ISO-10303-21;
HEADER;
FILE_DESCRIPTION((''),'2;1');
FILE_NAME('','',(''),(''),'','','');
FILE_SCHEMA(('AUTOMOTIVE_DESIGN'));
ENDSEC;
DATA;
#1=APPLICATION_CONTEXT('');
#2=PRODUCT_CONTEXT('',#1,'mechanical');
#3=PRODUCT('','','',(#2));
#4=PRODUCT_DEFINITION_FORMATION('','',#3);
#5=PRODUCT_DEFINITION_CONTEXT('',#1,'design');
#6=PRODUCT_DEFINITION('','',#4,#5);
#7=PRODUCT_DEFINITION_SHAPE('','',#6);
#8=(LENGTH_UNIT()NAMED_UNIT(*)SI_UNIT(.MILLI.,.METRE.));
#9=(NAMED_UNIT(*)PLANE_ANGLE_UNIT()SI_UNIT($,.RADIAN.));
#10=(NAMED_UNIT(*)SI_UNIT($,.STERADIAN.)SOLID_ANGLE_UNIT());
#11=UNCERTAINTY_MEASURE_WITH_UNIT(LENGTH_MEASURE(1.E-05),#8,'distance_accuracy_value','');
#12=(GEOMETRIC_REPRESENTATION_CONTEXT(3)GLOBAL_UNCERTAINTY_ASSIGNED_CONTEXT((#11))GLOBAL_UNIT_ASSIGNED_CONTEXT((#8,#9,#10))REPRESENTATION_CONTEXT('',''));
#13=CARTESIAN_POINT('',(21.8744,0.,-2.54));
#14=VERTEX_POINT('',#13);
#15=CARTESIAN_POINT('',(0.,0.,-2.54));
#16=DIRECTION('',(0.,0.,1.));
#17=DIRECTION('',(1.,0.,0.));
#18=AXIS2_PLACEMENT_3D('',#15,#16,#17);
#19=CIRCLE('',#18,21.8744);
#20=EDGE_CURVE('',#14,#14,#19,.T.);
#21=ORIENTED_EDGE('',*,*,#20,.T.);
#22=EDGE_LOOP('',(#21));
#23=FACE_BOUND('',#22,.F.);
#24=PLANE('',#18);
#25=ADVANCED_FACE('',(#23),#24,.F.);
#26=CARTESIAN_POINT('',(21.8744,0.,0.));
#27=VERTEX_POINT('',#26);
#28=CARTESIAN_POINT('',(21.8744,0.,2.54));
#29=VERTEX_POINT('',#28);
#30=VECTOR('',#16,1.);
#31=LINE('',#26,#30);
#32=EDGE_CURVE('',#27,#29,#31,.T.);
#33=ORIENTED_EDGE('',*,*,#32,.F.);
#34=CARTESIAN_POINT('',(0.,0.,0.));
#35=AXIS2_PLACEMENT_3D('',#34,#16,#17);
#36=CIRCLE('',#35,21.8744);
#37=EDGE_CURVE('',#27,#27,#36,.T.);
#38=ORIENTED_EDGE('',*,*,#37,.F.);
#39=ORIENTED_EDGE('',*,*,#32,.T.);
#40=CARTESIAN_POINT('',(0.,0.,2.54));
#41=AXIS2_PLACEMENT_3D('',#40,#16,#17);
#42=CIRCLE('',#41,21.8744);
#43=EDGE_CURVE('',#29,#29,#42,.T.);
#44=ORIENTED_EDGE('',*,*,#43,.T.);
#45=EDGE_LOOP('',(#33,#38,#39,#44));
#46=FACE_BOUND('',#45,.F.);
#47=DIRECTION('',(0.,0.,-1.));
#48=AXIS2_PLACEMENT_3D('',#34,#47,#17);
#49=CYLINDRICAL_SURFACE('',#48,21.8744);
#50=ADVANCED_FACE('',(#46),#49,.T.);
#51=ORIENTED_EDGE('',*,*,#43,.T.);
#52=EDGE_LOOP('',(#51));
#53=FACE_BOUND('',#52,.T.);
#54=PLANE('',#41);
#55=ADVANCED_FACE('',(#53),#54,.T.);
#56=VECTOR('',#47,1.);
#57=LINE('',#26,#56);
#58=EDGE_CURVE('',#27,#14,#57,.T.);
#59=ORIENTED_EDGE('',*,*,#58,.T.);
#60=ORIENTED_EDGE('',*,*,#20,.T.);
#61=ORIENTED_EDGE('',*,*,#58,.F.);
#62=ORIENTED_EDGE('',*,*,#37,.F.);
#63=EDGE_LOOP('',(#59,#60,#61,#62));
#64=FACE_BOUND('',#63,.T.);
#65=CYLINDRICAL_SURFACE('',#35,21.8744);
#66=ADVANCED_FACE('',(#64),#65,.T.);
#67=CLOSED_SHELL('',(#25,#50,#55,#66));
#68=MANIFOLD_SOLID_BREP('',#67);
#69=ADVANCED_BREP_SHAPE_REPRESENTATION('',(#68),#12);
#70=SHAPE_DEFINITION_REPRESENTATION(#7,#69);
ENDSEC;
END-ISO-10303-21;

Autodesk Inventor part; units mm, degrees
ref_plane "YZ Plane" through (0, 0, 0) normal (1, 0, 0) x (0, 1, 0)
ref_plane "XZ Plane" through (0, 0, 0) normal (0, 1, 0) x (-1, 0, 0)
ref_plane "XY Plane" through (0, 0, 0) normal (0, 0, 1) x (1, 0, 0)
sketch "Sketch1" plane through (0, 0, 0) normal (0, 0, 1) x (1, 0, 0)
  circle A0 centre (0, 0) radius 21.8744
  dimension "d0" = 5.08
extrude "Extrusion1" add sketch "Sketch1" along normal mid plane 5.08
properties part number "Disk"
